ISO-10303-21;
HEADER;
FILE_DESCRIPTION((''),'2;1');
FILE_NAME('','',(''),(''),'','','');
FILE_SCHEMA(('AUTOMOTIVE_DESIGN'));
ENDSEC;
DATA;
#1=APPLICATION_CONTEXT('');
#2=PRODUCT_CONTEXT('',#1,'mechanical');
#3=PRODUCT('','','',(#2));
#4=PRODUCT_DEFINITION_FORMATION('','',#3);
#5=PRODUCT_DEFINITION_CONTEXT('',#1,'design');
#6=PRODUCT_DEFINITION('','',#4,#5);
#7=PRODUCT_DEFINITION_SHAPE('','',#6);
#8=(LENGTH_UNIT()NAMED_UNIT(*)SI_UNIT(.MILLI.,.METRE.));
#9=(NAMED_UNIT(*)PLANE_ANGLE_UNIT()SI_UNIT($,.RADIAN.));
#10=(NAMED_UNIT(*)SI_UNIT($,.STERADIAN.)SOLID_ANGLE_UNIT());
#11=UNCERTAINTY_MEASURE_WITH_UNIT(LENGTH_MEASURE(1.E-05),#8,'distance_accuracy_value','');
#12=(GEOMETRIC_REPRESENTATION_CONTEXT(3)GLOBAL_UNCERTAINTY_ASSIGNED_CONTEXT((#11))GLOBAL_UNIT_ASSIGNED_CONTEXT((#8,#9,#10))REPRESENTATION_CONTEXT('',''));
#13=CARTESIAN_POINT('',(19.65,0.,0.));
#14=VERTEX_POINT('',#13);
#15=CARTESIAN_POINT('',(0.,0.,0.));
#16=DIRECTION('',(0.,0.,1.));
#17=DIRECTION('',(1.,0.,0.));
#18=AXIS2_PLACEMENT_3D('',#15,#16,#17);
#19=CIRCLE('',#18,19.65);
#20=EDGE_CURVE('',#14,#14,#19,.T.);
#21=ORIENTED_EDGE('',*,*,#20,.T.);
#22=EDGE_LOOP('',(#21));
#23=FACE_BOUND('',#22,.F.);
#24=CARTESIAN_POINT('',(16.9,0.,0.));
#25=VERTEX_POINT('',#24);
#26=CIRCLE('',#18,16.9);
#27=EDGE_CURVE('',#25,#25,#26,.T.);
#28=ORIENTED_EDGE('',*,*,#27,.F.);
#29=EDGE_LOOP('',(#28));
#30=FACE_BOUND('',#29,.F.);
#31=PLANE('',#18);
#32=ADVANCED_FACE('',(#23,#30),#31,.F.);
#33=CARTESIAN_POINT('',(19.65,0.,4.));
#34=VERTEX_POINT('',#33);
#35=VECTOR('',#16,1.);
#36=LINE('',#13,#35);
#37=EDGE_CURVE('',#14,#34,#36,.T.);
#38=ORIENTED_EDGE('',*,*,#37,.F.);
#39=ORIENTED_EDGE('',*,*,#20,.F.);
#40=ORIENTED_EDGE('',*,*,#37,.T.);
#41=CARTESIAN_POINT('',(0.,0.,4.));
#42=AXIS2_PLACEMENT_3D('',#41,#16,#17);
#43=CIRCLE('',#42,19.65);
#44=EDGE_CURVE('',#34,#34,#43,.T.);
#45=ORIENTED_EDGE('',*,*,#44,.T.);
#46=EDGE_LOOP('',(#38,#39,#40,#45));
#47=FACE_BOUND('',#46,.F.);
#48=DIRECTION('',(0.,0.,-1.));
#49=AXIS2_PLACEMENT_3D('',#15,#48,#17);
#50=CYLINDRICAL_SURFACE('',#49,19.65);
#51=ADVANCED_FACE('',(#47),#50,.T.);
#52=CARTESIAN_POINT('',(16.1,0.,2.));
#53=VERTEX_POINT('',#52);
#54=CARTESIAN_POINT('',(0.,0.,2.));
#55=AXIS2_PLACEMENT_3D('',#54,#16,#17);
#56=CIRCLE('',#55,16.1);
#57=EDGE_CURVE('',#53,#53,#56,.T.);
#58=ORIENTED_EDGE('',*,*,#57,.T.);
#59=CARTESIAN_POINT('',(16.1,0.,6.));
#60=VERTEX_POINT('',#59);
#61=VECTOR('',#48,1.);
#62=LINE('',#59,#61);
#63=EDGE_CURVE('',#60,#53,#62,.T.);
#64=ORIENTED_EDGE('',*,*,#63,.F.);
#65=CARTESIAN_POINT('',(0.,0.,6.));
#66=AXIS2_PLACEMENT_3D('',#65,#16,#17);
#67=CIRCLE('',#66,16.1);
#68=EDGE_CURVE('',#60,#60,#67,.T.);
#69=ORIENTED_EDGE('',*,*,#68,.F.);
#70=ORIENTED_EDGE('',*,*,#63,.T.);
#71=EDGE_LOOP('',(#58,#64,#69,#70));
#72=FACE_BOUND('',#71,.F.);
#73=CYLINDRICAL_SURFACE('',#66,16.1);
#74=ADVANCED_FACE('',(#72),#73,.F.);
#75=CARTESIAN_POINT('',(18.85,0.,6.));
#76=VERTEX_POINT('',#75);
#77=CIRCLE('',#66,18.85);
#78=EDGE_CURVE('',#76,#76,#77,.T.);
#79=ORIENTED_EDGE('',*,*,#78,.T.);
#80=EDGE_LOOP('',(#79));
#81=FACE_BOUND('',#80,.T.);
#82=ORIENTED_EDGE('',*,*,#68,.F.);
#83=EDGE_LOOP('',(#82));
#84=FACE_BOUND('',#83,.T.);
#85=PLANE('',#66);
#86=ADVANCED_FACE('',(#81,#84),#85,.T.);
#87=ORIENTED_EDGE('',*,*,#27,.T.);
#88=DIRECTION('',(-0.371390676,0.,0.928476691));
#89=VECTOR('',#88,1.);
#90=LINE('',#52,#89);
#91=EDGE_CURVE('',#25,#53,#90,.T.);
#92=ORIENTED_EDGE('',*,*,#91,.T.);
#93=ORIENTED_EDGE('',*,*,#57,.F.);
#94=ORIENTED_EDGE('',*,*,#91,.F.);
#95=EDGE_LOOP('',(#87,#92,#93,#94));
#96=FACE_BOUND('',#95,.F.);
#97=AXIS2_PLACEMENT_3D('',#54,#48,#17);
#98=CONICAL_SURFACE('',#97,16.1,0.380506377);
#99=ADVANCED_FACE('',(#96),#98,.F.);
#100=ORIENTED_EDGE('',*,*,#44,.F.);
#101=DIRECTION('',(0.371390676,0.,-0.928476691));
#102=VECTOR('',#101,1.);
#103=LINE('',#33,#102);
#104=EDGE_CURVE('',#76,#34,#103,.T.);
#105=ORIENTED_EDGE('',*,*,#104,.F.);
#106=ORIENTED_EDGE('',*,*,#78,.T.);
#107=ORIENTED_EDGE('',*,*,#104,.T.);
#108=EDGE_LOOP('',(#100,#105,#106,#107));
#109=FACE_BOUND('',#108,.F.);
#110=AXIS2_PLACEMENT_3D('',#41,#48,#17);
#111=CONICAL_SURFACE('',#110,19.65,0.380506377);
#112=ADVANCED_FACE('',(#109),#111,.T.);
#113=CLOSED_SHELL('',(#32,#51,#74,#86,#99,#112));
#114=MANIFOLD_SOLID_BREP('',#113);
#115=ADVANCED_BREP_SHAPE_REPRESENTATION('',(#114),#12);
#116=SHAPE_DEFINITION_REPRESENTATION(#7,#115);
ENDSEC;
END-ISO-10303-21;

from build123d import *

# Parameters (mm, degrees)
F0_R     = 19.65
F1_DEPTH = 6
F2_R     = 16.1
F3_DEPTH = 25
F4_SIZE2 = 2
F4_SIZE  = 0.8
F5_SIZE2 = 2
F5_SIZE  = 0.8


with BuildPart() as f1:
    # F0 (on Top) → F1 (new body)
    with BuildSketch(Plane.XY):
        Circle(F0_R)
    extrude(amount=F1_DEPTH)

    # F2 (on face) → F3 (cut)
    with BuildSketch(Plane.XY.offset(6)):
        Circle(F2_R)
    extrude(amount=-F3_DEPTH, mode=Mode.SUBTRACT)

    # F4
    f4_edges = [f1.edges().sort_by_distance(p)[0] for p in [
        (-16.1, 0, 0),
    ]]
    chamfer(f4_edges, length=F4_SIZE, length2=F4_SIZE2)

    # F5
    f5_edges = [f1.edges().sort_by_distance(p)[0] for p in [
        (-19.65, 0, 6),
    ]]
    f5_side = f1.faces().sort_by_distance((-19.094214, 0, 6))[0]
    chamfer(f5_edges, length=F5_SIZE, length2=F5_SIZE2, reference=f5_side)


solid = f1.part
